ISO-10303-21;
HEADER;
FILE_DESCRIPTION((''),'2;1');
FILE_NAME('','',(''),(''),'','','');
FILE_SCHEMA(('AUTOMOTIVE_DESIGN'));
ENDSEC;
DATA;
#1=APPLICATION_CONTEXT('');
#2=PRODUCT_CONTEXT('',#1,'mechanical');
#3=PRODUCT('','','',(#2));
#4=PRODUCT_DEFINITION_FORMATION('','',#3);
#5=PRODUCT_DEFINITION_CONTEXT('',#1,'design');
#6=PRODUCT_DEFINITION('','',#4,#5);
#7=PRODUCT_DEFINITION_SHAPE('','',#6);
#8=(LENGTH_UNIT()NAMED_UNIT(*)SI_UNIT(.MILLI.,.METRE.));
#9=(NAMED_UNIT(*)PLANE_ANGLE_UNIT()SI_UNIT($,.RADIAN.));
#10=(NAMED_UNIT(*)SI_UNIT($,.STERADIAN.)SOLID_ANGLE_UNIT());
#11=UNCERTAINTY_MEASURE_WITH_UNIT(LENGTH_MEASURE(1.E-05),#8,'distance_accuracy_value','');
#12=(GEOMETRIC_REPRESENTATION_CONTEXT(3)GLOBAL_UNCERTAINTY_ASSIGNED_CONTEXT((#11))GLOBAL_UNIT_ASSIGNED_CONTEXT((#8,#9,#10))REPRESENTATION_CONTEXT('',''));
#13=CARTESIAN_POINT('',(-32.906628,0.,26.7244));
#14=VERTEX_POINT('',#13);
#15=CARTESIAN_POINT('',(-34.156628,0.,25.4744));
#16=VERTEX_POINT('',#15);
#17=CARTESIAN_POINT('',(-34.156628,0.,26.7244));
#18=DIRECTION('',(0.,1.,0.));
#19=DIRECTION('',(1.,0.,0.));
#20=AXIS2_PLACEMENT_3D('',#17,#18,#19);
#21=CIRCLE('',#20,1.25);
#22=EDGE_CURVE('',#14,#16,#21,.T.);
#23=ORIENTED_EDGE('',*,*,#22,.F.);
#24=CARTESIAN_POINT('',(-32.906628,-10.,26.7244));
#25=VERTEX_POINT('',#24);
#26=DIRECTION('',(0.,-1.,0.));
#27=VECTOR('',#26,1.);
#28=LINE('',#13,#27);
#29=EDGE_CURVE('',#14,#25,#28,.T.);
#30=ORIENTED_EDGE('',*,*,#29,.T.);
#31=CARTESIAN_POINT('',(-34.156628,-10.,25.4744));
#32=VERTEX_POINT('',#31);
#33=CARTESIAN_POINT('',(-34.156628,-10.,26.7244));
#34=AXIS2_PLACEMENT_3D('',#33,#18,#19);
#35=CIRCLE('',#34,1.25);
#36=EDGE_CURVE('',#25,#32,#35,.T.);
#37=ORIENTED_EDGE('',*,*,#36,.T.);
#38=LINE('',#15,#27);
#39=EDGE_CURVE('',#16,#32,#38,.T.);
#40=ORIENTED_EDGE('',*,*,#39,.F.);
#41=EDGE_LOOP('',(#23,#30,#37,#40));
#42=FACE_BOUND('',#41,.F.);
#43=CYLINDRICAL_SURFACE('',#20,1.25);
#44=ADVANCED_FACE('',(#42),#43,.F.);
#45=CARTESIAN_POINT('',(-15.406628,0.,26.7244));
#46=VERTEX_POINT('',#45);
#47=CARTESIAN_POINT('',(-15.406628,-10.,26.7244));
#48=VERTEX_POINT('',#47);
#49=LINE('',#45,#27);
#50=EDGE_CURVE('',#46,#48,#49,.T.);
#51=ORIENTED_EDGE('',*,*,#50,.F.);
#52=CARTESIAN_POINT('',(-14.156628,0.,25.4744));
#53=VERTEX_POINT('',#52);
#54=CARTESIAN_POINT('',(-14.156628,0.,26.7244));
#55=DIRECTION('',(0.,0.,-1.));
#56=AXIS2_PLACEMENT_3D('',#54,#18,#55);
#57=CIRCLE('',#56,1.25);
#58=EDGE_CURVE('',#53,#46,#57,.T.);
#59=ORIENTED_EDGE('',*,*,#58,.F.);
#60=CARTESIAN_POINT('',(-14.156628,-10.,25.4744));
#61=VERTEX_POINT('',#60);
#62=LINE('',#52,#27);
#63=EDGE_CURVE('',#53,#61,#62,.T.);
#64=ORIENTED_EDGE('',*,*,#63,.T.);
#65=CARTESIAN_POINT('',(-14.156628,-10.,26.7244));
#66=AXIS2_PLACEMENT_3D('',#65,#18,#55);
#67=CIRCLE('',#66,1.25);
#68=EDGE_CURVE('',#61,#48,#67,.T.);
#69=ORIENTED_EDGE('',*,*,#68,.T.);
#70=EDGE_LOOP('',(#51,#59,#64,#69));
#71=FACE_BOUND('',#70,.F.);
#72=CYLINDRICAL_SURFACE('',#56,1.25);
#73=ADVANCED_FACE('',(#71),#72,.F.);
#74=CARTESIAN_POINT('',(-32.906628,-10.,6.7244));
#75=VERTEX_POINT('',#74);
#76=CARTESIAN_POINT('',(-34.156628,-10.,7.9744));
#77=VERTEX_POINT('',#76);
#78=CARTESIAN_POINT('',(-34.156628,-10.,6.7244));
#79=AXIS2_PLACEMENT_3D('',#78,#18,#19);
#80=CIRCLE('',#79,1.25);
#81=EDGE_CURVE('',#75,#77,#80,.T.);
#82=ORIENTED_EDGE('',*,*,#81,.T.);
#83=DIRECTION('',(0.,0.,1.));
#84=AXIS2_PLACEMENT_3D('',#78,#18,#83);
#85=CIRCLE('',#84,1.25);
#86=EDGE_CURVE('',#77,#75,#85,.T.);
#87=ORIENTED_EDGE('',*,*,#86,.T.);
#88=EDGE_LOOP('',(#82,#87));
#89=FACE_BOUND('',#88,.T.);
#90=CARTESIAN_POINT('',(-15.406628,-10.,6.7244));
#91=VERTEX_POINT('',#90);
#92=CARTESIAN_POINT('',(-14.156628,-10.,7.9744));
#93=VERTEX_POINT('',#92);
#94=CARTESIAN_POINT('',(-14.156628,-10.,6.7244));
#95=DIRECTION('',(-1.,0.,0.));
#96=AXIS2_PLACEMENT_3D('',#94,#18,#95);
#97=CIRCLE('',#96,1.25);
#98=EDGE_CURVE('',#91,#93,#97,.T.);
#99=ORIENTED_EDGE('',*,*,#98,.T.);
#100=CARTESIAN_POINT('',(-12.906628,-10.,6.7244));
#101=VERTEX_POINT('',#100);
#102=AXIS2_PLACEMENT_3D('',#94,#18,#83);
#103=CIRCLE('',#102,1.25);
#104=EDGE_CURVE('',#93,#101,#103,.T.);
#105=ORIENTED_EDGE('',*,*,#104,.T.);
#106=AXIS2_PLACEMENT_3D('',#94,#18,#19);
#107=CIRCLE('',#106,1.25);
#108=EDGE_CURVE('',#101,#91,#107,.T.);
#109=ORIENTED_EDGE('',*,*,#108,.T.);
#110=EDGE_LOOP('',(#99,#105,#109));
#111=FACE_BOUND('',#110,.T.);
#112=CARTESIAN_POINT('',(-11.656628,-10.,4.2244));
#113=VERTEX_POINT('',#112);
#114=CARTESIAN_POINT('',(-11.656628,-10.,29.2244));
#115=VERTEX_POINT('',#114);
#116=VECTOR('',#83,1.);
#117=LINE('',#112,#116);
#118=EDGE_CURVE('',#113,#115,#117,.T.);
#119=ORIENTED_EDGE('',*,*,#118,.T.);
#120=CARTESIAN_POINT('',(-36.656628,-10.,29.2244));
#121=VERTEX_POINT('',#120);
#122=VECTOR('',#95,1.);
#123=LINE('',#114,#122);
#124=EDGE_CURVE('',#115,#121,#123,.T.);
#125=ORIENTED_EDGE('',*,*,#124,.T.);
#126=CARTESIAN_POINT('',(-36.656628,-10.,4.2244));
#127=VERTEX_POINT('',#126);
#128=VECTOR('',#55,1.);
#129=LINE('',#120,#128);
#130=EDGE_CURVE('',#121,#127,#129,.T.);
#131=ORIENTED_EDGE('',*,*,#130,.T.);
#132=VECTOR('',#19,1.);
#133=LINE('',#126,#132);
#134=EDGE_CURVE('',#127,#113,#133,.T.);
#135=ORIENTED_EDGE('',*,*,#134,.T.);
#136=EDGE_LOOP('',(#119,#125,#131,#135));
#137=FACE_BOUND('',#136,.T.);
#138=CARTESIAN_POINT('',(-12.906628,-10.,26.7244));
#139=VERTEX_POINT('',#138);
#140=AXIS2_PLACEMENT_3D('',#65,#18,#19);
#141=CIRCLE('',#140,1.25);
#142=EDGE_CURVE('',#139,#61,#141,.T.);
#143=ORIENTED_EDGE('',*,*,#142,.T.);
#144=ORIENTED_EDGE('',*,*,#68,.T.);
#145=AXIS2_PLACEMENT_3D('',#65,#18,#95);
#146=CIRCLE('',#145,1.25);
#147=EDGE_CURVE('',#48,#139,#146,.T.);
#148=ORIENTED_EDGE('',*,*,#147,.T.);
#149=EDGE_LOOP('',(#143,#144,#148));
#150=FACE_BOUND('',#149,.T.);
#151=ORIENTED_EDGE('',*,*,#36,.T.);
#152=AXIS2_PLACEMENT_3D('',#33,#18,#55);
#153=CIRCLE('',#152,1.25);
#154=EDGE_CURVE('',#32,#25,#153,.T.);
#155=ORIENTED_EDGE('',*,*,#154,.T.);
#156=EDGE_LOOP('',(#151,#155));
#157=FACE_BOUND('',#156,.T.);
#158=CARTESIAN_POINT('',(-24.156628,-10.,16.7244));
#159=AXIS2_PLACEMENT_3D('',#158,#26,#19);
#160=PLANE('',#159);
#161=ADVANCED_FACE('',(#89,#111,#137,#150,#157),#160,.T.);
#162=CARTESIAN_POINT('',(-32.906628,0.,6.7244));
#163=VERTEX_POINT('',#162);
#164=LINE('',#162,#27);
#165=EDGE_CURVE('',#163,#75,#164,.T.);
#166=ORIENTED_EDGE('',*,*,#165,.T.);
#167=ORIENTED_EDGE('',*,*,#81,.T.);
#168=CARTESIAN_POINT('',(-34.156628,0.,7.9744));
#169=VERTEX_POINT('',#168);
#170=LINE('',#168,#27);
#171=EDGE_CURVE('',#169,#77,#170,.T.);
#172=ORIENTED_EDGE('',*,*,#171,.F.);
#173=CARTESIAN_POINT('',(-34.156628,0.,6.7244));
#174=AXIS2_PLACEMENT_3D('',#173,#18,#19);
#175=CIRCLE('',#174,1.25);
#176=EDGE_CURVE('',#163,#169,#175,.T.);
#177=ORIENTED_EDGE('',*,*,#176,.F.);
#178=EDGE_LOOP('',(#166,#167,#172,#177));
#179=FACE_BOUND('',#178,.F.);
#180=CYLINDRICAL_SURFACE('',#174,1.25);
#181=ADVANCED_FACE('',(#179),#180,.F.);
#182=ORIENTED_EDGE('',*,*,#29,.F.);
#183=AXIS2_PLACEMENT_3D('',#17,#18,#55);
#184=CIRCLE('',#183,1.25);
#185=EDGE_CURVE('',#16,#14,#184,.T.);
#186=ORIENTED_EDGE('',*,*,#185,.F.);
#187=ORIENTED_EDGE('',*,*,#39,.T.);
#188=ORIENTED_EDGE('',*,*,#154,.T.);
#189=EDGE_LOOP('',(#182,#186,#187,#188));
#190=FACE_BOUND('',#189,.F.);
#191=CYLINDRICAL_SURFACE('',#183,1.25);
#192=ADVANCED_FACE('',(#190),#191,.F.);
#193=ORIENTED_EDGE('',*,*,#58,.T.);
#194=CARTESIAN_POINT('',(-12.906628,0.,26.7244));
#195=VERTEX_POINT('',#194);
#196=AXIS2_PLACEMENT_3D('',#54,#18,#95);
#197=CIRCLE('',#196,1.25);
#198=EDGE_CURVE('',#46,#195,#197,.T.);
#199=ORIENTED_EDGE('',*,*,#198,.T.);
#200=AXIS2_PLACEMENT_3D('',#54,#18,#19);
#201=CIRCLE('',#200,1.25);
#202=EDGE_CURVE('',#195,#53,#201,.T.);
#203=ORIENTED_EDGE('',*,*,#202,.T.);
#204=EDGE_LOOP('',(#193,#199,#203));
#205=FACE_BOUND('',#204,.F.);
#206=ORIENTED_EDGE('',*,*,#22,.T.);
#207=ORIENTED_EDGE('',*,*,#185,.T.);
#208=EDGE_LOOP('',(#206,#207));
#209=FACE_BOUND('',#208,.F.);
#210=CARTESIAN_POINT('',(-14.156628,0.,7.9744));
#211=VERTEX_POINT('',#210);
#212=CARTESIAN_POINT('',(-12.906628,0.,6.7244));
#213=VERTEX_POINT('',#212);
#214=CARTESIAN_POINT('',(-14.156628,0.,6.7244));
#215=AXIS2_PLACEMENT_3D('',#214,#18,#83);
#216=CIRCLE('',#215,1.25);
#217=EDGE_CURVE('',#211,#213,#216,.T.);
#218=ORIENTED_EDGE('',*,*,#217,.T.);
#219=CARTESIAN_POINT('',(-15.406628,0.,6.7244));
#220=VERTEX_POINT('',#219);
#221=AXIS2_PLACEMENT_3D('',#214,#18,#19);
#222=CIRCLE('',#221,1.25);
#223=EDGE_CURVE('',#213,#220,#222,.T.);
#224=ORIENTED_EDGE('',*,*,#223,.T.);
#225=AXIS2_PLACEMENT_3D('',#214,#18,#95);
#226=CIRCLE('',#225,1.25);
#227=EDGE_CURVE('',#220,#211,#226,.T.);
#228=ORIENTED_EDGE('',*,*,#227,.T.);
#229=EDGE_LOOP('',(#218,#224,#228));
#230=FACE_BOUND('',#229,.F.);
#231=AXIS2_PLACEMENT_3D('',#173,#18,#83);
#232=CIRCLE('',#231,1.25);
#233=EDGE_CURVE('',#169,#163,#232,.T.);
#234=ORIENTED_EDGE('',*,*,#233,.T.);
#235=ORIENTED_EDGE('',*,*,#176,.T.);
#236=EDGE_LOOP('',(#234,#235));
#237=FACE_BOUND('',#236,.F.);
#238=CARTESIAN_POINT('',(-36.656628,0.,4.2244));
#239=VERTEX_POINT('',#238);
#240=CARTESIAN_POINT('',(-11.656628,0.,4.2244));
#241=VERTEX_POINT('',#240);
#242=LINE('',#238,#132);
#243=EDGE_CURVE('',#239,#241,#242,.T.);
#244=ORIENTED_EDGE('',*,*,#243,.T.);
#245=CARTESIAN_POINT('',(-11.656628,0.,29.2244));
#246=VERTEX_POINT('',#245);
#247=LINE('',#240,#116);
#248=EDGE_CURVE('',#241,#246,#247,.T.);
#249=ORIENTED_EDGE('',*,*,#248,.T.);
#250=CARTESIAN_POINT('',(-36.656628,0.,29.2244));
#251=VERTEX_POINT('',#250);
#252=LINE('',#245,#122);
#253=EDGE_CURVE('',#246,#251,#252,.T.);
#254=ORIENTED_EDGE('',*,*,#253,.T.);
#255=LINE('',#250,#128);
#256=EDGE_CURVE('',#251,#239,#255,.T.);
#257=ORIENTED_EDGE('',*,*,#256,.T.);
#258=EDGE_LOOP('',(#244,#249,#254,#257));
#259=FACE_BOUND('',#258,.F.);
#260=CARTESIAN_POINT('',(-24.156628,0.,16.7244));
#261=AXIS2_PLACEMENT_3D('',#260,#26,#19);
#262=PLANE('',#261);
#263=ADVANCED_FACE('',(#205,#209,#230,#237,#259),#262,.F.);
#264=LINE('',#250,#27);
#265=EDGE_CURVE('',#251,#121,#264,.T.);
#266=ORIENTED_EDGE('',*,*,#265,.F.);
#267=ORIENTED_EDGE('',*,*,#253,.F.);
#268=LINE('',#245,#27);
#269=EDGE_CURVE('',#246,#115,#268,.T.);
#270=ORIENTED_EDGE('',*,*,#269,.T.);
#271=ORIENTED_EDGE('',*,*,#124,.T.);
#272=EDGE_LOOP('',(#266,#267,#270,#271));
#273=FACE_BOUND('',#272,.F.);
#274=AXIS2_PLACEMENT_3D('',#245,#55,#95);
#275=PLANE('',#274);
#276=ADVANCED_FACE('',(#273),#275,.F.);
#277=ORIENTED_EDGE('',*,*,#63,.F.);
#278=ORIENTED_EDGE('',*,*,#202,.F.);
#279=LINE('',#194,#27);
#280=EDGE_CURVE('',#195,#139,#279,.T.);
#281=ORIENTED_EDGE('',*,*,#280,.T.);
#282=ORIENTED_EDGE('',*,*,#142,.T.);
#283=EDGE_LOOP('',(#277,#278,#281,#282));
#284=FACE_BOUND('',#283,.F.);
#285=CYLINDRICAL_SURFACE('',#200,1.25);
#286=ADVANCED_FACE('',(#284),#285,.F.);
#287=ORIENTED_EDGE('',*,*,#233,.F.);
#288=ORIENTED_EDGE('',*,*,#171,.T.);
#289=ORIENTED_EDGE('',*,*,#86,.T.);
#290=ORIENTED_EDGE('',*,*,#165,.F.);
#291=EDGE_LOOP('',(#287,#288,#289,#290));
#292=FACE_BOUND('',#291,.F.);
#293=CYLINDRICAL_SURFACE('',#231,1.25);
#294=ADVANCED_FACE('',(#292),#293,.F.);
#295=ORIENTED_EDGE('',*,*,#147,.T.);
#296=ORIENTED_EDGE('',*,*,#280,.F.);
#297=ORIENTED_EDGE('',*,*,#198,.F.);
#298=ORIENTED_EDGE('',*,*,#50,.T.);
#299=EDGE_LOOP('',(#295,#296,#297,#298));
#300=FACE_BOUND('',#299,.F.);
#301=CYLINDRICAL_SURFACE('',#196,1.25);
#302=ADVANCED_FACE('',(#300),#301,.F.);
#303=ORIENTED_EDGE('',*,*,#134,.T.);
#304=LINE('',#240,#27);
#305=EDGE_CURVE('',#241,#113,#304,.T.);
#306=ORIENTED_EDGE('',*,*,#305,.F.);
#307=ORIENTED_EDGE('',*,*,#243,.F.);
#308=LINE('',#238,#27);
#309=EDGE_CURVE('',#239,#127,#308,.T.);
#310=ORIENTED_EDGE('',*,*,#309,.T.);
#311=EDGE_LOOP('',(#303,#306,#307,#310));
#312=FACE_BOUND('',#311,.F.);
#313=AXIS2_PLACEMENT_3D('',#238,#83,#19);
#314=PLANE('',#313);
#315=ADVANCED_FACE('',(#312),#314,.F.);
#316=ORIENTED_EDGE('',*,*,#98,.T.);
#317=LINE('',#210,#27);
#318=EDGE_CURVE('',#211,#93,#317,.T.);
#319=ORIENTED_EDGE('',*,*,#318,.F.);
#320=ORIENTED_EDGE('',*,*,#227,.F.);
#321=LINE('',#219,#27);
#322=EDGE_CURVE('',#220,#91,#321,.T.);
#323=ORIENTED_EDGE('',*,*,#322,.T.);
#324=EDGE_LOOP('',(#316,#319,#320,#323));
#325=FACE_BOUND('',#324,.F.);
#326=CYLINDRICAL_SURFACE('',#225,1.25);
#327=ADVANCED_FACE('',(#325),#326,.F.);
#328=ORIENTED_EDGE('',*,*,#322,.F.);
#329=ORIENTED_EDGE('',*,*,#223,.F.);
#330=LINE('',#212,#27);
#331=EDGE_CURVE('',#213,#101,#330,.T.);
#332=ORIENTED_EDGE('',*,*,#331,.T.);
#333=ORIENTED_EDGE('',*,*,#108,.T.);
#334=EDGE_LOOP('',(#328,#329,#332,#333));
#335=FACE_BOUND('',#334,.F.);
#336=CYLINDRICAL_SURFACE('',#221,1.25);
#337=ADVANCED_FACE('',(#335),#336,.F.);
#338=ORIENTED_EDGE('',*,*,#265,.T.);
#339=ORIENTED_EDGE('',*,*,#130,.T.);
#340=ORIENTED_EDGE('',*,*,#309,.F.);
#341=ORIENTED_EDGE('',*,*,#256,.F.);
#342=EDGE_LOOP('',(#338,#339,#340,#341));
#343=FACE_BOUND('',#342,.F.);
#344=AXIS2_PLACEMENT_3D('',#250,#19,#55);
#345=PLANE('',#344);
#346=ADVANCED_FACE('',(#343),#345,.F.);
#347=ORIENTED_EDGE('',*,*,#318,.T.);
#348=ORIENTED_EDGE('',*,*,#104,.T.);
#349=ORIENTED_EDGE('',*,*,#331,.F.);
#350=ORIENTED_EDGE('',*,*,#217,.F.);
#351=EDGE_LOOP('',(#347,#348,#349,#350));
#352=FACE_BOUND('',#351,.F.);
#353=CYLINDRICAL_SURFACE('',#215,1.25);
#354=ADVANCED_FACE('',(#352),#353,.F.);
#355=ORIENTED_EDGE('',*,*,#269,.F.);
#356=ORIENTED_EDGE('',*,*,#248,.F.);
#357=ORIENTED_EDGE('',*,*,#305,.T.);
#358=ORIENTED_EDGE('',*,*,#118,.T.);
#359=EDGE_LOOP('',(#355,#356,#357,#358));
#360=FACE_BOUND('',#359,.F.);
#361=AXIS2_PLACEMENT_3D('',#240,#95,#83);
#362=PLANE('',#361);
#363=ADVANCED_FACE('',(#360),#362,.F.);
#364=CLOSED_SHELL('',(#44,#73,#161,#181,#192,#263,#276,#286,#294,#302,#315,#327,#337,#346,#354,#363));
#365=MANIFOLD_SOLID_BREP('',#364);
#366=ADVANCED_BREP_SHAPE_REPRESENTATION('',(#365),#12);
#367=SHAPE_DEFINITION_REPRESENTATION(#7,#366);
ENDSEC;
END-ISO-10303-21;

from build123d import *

# Parameters (mm, degrees)
F1_DEPTH = 10


with BuildPart() as f1:
    # F0 (on Front) → F1 (new body)
    with BuildSketch(Plane.XZ):
        Polygon((-11.6566279531, 4.2243999988), (-11.6566279531, 16.7243999988), (-11.6566279531, 29.2243999988), (-36.6566279531, 29.2243999988), (-36.6566279531, 4.2243999988), align=None)
        with BuildLine():
            ThreePointArc((-34.1566279531, 25.4743999988), (-35.0405114295, 27.6082834753), (-32.9066279531, 26.7243999988))
            Line((-32.9066279531, 26.7243999988), (-15.4066279531, 26.7243999988))
            ThreePointArc((-15.4066279531, 26.7243999988), (-14.1566279531, 27.9743999988), (-12.9066279531, 26.7243999988))
            ThreePointArc((-12.9066279531, 26.7243999988), (-13.2727444766, 25.8405165223), (-14.1566279531, 25.4743999988))
            Line((-14.1566279531, 25.4743999988), (-14.1566279531, 16.7243999988))
            Line((-14.1566279531, 16.7243999988), (-14.1566279531, 7.9743999988))
            ThreePointArc((-14.1566279531, 7.9743999988), (-13.2727444766, 7.6082834753), (-12.9066279531, 6.7243999988))
            ThreePointArc((-12.9066279531, 6.7243999988), (-14.1566279531, 5.4743999988), (-15.4066279531, 6.7243999988))
            Line((-15.4066279531, 6.7243999988), (-32.9066279531, 6.7243999988))
            ThreePointArc((-32.9066279531, 6.7243999988), (-35.0405114295, 5.8405165223), (-34.1566279531, 7.9743999988))
            Line((-34.1566279531, 7.9743999988), (-34.1566279531, 16.7243999988))
            Line((-34.1566279531, 16.7243999988), (-34.1566279531, 25.4743999988))
        make_face(mode=Mode.SUBTRACT)
        with BuildLine():
            Line((-14.1566279531, 16.7243999988), (-34.1566279531, 16.7243999988))
            Line((-34.1566279531, 16.7243999988), (-34.1566279531, 7.9743999988))
            ThreePointArc((-34.1566279531, 7.9743999988), (-33.2727444766, 7.6082834753), (-32.9066279531, 6.7243999988))
            Line((-32.9066279531, 6.7243999988), (-15.4066279531, 6.7243999988))
            ThreePointArc((-15.4066279531, 6.7243999988), (-15.0405114295, 7.6082834753), (-14.1566279531, 7.9743999988))
            Line((-14.1566279531, 7.9743999988), (-14.1566279531, 16.7243999988))
        make_face()
        with BuildLine():
            Line((-15.4066279531, 26.7243999988), (-32.9066279531, 26.7243999988))
            ThreePointArc((-32.9066279531, 26.7243999988), (-33.2727444766, 25.8405165223), (-34.1566279531, 25.4743999988))
            Line((-34.1566279531, 25.4743999988), (-34.1566279531, 16.7243999988))
            Line((-34.1566279531, 16.7243999988), (-14.1566279531, 16.7243999988))
            Line((-14.1566279531, 16.7243999988), (-14.1566279531, 25.4743999988))
            ThreePointArc((-14.1566279531, 25.4743999988), (-15.0405114295, 25.8405165223), (-15.4066279531, 26.7243999988))
        make_face()
    extrude(amount=F1_DEPTH)


solid = f1.part
